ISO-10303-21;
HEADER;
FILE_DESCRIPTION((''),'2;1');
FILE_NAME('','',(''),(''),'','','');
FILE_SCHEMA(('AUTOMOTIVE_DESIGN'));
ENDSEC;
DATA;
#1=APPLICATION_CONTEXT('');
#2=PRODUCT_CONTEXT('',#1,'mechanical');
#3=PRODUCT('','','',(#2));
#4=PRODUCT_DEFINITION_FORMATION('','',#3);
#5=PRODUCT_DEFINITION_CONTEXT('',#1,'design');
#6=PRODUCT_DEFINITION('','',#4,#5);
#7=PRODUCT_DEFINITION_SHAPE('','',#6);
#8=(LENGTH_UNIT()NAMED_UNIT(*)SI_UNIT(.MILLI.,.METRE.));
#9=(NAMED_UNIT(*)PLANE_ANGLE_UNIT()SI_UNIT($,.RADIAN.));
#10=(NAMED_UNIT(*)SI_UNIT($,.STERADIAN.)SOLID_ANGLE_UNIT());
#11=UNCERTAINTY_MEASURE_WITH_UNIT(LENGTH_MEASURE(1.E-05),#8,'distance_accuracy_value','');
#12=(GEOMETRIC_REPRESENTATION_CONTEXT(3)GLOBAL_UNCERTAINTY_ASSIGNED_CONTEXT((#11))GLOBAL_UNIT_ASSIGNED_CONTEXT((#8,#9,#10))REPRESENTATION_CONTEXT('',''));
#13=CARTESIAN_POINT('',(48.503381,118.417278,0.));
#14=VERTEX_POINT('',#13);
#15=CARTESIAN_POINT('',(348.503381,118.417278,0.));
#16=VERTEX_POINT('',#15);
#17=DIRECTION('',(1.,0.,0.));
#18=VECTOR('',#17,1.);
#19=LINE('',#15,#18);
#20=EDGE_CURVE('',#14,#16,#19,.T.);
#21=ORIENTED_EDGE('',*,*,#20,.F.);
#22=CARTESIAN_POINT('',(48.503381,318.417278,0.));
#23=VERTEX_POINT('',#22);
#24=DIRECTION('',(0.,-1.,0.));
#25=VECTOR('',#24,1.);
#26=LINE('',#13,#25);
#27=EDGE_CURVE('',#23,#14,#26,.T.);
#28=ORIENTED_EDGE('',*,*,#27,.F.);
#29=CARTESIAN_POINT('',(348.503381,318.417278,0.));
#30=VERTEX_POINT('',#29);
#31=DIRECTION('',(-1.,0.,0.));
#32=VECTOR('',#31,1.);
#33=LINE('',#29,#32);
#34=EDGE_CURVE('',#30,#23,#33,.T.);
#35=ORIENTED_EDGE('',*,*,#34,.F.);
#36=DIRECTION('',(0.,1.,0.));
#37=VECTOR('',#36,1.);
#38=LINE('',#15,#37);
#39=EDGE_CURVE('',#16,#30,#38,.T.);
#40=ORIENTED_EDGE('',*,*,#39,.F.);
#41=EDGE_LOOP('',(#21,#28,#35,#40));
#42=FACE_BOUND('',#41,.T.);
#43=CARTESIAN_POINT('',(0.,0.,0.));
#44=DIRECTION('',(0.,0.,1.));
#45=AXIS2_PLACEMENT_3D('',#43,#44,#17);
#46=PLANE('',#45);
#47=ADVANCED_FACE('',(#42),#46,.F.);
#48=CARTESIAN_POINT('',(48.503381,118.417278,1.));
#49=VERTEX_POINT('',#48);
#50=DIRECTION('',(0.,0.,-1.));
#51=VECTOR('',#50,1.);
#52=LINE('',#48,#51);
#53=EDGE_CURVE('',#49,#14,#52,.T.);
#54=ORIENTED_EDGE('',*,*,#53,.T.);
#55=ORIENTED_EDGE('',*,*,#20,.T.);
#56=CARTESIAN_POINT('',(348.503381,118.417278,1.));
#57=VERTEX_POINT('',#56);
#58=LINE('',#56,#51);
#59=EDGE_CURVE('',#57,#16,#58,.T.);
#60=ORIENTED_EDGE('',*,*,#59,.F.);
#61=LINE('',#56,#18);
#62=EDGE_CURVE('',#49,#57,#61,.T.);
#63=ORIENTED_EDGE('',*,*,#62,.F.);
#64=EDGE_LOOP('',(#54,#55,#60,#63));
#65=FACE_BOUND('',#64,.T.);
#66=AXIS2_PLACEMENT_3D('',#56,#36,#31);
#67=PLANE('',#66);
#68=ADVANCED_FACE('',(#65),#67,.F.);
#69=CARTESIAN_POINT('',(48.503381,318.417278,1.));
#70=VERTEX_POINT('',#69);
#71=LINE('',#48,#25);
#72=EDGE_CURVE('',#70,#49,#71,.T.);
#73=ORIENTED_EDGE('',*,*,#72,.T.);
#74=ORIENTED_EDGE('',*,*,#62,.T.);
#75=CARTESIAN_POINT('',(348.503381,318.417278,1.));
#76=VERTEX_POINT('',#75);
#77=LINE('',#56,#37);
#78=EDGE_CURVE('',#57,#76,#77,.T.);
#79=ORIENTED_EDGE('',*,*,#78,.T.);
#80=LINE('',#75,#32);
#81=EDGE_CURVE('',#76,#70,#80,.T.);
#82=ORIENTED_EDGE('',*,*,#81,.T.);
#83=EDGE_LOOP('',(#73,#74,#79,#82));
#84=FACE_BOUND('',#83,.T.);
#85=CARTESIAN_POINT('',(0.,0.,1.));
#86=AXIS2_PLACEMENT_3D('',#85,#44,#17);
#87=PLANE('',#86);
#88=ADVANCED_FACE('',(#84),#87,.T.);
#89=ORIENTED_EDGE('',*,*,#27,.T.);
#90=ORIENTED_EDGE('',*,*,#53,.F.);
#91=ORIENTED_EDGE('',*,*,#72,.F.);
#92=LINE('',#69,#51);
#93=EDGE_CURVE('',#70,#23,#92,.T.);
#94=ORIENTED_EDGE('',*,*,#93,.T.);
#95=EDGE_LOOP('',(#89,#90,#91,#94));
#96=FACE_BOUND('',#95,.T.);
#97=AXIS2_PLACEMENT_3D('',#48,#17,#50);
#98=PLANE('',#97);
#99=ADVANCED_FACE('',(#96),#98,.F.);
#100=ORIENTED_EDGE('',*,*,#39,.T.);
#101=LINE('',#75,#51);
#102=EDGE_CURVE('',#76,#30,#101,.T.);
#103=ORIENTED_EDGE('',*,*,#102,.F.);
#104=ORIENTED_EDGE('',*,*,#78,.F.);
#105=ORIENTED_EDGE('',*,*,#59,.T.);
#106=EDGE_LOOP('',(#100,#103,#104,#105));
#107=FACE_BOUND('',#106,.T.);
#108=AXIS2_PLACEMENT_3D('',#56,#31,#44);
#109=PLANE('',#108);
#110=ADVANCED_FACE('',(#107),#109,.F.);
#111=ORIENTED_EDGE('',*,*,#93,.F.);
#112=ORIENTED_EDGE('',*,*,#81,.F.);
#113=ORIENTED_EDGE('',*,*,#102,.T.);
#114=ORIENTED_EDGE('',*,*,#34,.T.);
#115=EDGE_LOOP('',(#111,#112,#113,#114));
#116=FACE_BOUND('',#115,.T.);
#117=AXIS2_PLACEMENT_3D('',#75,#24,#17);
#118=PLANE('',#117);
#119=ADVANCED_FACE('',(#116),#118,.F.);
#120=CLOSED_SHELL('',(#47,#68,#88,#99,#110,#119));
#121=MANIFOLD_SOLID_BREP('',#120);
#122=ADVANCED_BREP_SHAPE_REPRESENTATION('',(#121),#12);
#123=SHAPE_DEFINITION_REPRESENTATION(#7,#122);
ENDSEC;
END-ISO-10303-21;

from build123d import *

# Parameters (mm, degrees)
SKETCH1_W           = 300
SKETCH1_H           = 200
BOSS_EXTRUDE1_DEPTH = 1


with BuildPart() as part:
    # Sketch1 → Boss-Extrude1 (new body)
    with BuildSketch(Plane.XY):
        with Locations((198.503381024, 218.417277588)):
            Rectangle(SKETCH1_W, SKETCH1_H)
    extrude(amount=BOSS_EXTRUDE1_DEPTH)


solid = part.part
